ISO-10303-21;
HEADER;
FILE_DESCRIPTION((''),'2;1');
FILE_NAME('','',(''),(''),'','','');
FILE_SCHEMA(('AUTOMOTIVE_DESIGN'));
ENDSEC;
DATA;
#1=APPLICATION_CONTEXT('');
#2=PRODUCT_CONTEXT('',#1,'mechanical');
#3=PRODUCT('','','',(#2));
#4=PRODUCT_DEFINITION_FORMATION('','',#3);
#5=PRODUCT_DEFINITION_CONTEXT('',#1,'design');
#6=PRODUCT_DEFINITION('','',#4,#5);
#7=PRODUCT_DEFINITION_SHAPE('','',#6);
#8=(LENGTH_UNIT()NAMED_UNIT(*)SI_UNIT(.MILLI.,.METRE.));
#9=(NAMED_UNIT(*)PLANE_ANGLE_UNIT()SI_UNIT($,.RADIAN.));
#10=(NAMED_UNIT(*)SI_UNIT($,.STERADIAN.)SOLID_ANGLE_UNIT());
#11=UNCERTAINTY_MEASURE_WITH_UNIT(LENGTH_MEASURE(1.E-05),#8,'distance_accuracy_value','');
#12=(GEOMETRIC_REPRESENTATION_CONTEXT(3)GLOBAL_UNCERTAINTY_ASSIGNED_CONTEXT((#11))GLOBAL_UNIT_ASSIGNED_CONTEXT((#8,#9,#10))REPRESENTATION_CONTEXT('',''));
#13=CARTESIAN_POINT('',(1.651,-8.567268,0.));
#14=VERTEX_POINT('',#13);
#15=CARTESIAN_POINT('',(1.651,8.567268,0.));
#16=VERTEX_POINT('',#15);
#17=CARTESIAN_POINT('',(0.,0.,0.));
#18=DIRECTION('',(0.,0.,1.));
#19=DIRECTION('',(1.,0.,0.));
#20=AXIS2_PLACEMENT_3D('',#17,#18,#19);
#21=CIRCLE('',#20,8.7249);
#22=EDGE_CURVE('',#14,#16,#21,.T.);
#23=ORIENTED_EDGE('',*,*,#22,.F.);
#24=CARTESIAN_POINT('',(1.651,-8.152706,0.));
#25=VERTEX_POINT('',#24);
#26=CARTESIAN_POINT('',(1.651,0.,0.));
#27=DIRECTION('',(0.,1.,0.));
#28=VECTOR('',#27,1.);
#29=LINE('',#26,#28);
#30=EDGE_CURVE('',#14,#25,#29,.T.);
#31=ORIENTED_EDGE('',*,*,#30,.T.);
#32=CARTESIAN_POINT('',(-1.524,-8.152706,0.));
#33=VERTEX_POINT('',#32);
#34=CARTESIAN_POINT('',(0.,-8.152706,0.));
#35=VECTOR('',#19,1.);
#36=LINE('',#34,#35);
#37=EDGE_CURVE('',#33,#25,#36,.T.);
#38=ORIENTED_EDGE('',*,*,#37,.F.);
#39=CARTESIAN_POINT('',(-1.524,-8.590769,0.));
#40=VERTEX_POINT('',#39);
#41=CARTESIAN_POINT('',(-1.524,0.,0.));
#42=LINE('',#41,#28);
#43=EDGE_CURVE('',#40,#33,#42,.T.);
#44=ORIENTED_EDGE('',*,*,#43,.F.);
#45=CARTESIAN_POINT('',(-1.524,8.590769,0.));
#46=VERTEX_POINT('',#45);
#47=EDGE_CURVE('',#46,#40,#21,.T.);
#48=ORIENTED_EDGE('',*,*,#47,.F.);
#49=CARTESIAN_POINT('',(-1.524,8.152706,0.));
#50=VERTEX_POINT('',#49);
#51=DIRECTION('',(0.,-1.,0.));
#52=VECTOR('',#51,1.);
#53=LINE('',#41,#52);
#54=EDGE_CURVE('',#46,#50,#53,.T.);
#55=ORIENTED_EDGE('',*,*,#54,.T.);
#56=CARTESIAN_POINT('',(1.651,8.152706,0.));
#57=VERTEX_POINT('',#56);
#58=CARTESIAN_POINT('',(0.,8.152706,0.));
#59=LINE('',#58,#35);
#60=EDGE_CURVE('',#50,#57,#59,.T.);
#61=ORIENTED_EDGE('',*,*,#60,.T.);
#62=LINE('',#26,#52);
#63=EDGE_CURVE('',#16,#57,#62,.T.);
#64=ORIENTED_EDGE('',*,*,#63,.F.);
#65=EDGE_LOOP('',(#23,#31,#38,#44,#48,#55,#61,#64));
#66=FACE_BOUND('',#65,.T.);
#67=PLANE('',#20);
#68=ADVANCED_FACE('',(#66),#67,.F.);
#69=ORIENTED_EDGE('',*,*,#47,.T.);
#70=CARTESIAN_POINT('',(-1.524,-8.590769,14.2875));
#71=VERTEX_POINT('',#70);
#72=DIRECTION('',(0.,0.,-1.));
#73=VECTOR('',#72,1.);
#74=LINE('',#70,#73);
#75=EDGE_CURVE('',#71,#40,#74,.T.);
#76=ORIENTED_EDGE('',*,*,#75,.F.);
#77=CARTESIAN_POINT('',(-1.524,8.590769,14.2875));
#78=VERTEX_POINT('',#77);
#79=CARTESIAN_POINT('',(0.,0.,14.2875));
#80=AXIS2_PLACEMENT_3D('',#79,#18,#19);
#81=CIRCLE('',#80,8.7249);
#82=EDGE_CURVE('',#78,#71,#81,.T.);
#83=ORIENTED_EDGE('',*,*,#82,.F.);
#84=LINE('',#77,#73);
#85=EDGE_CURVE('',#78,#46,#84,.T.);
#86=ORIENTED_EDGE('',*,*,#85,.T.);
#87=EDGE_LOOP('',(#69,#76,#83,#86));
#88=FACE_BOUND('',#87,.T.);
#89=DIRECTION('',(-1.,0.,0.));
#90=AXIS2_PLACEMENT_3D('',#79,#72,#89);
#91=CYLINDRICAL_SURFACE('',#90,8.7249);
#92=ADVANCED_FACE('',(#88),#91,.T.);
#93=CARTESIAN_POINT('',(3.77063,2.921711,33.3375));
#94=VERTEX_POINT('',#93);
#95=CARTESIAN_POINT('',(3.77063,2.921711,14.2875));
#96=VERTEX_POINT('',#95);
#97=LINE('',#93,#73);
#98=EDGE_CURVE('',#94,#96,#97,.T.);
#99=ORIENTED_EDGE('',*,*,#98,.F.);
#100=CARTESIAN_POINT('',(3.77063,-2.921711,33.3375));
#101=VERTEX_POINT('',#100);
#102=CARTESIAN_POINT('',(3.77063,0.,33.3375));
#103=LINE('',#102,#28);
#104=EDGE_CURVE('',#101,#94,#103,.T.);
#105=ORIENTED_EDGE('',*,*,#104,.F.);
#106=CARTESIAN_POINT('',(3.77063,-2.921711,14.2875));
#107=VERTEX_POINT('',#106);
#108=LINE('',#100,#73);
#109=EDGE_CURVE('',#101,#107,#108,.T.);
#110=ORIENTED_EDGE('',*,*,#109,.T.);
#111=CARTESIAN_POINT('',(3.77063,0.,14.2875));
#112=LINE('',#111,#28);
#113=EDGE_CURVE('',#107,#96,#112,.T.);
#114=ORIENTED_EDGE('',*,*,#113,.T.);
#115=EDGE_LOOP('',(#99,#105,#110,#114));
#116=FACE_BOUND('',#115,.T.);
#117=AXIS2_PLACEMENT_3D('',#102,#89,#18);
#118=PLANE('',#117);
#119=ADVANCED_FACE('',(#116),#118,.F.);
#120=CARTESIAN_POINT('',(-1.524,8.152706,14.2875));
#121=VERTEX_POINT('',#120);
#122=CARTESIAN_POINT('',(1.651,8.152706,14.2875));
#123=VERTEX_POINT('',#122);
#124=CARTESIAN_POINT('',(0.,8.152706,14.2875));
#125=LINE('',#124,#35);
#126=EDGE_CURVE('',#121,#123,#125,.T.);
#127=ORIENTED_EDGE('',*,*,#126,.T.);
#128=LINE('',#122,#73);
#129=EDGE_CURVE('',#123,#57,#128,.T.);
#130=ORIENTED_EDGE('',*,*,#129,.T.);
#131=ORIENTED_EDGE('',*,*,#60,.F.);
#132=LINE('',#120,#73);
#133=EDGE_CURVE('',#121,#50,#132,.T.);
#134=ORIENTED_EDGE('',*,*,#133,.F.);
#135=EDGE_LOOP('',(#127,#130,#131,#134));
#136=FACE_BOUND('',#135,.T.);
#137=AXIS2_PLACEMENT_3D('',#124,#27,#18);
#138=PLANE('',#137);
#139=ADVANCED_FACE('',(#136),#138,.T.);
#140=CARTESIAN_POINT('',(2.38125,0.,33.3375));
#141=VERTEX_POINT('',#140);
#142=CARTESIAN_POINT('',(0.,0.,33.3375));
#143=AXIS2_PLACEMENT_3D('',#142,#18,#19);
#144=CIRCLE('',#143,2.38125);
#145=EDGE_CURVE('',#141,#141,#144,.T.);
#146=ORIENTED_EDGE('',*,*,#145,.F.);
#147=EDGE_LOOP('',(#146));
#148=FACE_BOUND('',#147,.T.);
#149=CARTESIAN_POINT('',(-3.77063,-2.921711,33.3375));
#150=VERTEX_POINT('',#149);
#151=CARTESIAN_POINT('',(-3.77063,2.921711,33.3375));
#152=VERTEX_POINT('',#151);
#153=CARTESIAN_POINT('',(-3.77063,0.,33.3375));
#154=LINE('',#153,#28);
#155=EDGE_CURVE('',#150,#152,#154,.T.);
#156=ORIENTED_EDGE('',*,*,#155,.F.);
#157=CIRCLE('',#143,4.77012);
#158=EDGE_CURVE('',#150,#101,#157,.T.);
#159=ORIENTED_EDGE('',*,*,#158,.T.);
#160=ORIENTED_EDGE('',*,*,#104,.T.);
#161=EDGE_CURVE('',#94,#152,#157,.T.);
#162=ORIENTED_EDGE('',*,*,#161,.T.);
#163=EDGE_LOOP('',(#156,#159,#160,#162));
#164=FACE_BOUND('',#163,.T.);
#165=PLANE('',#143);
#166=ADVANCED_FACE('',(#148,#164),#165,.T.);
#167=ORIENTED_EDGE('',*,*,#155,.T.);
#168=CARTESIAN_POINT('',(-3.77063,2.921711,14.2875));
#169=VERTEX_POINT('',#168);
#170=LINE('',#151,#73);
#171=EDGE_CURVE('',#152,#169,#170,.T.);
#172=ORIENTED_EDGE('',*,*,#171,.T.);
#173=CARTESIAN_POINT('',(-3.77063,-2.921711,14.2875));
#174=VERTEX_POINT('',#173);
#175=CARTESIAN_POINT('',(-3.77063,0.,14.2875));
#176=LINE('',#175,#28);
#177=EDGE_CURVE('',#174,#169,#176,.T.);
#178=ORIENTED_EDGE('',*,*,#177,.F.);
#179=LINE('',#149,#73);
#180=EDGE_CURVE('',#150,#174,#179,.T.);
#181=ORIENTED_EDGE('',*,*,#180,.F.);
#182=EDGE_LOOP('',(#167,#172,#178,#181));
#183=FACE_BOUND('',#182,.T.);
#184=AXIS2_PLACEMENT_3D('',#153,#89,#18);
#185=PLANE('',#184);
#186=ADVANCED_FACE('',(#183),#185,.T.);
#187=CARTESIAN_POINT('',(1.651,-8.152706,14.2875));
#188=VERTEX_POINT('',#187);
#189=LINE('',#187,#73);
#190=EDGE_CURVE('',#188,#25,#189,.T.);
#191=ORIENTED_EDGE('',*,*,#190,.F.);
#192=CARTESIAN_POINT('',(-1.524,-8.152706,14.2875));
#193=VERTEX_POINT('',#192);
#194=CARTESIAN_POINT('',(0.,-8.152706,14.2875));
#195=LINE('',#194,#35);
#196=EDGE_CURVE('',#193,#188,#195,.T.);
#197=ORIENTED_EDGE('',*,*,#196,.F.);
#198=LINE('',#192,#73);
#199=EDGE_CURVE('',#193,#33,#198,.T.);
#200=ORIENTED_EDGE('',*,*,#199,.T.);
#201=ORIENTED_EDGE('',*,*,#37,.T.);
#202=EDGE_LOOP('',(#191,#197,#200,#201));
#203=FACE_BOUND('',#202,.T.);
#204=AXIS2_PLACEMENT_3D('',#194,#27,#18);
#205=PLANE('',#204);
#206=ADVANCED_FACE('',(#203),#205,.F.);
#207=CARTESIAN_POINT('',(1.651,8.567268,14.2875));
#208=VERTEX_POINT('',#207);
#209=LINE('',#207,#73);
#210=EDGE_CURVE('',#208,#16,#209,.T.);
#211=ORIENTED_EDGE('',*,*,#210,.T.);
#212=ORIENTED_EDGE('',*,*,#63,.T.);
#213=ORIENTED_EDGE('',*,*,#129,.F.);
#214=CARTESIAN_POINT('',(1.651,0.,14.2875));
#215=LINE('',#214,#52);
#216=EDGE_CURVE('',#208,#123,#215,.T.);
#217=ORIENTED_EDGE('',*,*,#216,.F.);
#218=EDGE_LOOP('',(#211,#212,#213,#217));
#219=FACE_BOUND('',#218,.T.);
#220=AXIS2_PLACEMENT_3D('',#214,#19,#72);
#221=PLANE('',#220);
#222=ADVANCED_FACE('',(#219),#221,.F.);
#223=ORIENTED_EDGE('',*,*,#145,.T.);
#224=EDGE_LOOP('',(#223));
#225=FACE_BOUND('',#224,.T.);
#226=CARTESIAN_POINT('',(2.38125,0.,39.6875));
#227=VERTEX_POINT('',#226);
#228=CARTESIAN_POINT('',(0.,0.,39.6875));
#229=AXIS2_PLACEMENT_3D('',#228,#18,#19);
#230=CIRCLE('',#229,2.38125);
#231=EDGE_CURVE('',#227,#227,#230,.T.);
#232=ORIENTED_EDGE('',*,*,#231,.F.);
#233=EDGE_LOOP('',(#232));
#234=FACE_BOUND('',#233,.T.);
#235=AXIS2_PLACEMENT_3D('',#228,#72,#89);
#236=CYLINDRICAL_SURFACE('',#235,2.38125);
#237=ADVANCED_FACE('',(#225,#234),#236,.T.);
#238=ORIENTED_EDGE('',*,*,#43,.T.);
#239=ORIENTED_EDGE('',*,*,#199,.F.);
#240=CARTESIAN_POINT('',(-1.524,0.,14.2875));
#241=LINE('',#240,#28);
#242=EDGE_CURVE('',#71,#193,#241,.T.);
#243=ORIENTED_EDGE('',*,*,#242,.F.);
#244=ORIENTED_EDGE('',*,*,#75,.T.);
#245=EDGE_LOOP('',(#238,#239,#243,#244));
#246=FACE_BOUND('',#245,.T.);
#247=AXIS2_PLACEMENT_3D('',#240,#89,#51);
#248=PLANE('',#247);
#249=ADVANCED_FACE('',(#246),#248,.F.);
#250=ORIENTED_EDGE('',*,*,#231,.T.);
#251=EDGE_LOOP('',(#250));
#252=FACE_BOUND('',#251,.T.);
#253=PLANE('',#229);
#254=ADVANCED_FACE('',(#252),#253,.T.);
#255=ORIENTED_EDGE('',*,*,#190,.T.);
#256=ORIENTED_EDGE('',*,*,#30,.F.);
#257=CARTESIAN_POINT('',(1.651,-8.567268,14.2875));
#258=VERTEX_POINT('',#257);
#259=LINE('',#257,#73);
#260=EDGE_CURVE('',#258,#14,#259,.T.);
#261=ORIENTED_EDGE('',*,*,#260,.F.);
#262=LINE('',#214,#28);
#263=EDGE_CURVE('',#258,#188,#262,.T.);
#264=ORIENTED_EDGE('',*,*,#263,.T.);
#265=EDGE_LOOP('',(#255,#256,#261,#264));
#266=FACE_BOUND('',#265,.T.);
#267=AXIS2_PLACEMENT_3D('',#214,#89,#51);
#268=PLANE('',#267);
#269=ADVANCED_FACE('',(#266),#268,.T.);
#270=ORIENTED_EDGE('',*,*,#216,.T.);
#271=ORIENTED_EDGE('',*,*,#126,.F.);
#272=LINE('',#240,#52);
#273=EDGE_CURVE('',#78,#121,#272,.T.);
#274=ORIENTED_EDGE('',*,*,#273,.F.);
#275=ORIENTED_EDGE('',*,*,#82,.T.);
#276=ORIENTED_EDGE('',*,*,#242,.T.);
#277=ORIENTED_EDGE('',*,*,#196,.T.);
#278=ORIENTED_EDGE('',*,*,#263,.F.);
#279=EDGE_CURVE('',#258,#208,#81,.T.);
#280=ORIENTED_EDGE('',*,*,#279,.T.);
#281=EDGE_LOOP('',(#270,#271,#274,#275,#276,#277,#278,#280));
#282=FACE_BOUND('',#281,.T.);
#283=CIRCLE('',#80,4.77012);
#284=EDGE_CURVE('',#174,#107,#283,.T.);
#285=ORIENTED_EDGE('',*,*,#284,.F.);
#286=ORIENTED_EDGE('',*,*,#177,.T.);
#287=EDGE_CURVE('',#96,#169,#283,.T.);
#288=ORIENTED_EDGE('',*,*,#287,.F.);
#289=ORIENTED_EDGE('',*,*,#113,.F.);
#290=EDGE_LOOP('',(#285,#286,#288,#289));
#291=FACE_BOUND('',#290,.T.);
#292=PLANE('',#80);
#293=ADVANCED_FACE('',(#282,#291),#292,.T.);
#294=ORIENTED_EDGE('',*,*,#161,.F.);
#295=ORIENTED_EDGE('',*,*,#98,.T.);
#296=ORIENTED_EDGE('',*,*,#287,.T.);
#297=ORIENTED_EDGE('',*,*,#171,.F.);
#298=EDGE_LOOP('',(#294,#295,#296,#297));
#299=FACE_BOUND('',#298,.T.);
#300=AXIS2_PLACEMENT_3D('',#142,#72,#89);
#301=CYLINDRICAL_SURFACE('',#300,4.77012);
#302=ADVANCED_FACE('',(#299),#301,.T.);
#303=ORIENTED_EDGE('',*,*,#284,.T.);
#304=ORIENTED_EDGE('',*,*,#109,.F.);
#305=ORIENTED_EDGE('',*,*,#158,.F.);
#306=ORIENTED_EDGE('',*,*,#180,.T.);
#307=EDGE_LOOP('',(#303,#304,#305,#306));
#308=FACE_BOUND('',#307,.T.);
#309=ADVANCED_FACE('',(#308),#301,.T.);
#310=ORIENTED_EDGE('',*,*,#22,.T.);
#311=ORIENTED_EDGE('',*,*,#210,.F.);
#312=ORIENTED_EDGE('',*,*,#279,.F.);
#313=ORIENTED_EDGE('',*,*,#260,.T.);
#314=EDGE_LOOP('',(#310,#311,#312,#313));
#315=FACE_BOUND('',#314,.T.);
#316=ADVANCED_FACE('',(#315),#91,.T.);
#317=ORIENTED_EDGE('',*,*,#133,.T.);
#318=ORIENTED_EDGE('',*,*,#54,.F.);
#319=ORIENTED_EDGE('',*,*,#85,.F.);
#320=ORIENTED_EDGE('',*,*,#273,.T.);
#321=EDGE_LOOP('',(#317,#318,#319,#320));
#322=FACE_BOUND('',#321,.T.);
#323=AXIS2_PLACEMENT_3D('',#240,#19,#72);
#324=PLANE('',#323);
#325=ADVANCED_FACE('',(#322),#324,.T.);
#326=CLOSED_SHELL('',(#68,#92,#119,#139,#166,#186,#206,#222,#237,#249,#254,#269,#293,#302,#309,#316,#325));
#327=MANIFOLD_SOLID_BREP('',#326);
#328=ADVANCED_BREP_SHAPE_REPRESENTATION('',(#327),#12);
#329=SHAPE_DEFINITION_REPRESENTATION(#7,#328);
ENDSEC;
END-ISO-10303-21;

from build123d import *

# Parameters (mm, degrees)
SALIENTE_EXTRUIR4_DEPTH = 14.2875
CROQUIS1_6_R            = 2.38125
SALIENTE_EXTRUIR5_DEPTH = 33.3375
CROQUIS1_7_R            = 2.38125
SALIENTE_EXTRUIR6_DEPTH = 39.6875


with BuildPart() as part:
    # Croquis1 → Saliente-Extruir4 (new body)
    with BuildSketch(Plane.XY):
        with BuildLine():
            Line((-1.524, 8.152705854), (-1.524, 8.590768534))
            ThreePointArc((-1.524, 8.590768534), (-8.7249, 0), (-1.524, -8.590768534))
            Line((-1.524, -8.590768534), (-1.524, -8.152705854))
            Line((-1.524, -8.152705854), (1.651, -8.152705854))
            Line((1.651, -8.152705854), (1.651, -8.567267885))
            ThreePointArc((1.651, -8.567267885), (8.7249, 0), (1.651, 8.567267885))
            Line((1.651, 8.567267885), (1.651, 8.152705854))
            Line((1.651, 8.152705854), (-1.524, 8.152705854))
        make_face()
        with BuildLine():
            ThreePointArc((3.77063, -2.921710837), (0, -4.77012), (-3.77063, -2.921710837))
            Line((-3.77063, -2.921710837), (-3.77063, 2.921710837))
            ThreePointArc((-3.77063, 2.921710837), (0, 4.77012), (3.77063, 2.921710837))
            Line((3.77063, 2.921710837), (3.77063, -2.921710837))
        make_face(mode=Mode.SUBTRACT)
    extrude(amount=SALIENTE_EXTRUIR4_DEPTH)

    # Croquis1<6> → Saliente-Extruir5 (add)
    with BuildSketch(Plane.XY):
        with BuildLine():
            Line((-3.77063, 2.921710837), (-3.77063, -2.921710837))
            ThreePointArc((-3.77063, -2.921710837), (0, -4.77012), (3.77063, -2.921710837))
            Line((3.77063, -2.921710837), (3.77063, 2.921710837))
            ThreePointArc((3.77063, 2.921710837), (0, 4.77012), (-3.77063, 2.921710837))
        make_face()
        Circle(CROQUIS1_6_R, mode=Mode.SUBTRACT)
    extrude(amount=SALIENTE_EXTRUIR5_DEPTH)

    # Croquis1<7> → Saliente-Extruir6 (add)
    with BuildSketch(Plane.XY):
        Circle(CROQUIS1_7_R)
    extrude(amount=SALIENTE_EXTRUIR6_DEPTH)


solid = part.part
